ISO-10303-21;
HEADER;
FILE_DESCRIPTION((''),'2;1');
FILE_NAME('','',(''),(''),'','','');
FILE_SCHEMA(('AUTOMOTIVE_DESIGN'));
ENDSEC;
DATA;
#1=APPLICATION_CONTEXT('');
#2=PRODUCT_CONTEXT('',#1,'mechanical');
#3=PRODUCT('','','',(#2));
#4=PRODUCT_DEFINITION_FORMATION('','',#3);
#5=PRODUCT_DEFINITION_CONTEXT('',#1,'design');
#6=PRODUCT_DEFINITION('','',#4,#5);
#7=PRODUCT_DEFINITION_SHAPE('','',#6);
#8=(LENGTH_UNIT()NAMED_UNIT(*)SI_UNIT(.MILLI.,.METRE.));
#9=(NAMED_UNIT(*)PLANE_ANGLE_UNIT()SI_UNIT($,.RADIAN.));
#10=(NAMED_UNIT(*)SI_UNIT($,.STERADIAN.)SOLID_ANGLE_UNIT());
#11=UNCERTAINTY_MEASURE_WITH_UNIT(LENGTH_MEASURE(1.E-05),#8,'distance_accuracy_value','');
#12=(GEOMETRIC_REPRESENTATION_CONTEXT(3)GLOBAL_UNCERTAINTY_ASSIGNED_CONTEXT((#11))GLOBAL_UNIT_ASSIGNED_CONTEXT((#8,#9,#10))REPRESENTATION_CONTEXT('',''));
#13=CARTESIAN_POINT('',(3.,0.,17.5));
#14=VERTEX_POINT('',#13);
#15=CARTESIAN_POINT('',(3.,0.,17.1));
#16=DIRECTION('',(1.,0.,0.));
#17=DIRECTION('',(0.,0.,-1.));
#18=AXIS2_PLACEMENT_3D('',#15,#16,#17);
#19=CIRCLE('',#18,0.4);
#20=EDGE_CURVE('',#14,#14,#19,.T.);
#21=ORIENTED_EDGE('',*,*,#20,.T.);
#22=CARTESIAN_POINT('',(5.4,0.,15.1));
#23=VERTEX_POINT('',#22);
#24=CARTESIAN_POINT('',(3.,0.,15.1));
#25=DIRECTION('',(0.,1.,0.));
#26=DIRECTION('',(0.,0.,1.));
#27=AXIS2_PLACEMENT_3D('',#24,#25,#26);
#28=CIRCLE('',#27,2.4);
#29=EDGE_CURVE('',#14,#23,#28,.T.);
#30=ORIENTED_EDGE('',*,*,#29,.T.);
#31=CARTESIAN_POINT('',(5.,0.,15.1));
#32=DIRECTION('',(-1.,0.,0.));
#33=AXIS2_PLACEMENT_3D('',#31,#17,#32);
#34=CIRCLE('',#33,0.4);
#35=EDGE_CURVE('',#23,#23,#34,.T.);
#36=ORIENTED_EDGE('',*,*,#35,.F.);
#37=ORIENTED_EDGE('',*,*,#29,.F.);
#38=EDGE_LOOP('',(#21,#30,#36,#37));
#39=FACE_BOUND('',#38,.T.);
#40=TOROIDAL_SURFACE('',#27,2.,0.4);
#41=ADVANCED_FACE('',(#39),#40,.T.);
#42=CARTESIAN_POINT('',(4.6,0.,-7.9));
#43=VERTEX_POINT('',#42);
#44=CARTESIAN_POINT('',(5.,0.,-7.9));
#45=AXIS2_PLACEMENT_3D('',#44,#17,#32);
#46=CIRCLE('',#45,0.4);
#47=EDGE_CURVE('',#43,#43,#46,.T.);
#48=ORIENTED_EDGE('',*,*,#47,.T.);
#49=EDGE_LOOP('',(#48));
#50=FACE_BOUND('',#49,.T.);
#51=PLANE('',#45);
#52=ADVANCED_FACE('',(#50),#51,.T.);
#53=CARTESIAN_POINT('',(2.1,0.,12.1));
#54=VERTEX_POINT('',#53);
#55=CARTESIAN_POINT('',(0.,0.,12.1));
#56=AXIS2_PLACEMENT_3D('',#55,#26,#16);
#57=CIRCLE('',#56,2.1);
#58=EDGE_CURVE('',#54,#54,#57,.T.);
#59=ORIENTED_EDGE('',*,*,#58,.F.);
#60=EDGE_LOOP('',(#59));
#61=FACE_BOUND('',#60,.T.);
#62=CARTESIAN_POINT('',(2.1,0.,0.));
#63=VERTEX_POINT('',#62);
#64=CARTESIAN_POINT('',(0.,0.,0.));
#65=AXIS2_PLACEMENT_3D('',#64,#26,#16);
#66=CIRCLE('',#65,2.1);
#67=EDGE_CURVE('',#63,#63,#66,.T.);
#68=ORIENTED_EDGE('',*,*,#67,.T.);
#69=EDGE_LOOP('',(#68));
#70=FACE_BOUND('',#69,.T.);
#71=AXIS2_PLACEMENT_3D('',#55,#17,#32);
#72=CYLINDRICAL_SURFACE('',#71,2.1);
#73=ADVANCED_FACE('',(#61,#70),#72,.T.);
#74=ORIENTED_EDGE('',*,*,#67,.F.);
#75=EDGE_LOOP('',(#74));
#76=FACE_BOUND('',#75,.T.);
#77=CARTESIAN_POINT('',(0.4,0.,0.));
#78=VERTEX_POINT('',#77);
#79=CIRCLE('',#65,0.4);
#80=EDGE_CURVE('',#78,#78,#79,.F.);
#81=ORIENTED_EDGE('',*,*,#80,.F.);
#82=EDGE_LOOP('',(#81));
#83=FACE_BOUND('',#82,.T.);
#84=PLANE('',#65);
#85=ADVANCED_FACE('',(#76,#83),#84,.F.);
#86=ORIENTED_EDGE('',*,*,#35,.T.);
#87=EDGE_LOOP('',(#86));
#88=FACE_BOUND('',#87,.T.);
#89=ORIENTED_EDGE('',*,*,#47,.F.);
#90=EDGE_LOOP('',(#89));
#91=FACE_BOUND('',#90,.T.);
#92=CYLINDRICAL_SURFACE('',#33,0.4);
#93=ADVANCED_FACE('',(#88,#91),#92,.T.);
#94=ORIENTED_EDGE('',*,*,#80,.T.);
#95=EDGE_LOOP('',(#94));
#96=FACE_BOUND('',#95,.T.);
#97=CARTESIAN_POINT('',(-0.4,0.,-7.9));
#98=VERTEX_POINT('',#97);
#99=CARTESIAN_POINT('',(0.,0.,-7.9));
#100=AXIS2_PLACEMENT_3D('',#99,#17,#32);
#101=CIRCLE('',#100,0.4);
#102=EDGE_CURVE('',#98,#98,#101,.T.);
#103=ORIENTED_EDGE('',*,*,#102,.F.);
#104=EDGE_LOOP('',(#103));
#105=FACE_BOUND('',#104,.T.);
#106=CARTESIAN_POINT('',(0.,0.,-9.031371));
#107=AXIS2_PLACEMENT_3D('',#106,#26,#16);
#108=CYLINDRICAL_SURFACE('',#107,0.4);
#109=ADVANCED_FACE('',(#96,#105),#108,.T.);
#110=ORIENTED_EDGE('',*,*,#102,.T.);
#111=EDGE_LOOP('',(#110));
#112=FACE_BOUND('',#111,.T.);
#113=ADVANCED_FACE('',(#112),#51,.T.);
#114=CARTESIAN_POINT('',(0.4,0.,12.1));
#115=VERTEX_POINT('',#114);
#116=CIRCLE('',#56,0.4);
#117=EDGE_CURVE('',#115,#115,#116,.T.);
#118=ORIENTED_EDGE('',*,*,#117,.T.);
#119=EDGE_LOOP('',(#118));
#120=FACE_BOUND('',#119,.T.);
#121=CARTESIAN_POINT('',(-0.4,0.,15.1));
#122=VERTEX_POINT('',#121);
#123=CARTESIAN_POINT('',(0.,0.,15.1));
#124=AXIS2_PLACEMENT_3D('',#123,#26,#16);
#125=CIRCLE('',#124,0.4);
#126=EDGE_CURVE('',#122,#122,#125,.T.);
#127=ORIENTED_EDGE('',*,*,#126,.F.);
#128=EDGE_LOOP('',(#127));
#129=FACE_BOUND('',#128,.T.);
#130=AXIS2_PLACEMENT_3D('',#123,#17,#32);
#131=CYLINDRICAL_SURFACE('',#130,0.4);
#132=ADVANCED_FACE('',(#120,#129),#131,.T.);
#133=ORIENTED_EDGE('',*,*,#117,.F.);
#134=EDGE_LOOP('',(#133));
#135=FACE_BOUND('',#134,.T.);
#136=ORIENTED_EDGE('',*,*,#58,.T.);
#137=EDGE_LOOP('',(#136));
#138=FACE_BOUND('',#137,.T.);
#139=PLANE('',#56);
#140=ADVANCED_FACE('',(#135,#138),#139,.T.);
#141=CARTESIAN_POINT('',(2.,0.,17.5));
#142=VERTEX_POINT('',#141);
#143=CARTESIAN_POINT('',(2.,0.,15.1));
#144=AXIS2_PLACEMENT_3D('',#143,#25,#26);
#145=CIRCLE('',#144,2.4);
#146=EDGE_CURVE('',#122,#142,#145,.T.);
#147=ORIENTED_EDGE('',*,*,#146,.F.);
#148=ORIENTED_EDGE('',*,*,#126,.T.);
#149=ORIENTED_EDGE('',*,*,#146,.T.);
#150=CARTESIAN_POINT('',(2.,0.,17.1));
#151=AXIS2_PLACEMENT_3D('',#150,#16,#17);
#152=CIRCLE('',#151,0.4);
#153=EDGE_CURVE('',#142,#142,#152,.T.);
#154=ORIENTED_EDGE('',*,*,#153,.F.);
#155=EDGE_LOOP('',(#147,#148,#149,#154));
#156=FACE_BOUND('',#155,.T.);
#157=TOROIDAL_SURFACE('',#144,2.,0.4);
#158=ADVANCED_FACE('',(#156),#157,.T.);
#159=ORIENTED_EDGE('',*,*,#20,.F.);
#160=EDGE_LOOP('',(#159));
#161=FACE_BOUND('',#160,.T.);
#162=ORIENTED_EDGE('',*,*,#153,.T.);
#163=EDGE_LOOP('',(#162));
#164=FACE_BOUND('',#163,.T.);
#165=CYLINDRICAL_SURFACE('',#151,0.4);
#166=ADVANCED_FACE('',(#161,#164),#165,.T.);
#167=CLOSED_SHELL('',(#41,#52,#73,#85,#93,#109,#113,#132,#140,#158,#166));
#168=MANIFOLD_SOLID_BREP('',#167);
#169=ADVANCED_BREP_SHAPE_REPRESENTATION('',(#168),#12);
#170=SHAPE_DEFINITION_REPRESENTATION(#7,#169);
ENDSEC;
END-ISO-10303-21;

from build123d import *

# Parameters (mm, degrees)
SKETCH2_R           = 2.1
RESISTOR_BODY_DEPTH = 12.1
LEAD1_PROFILE_R     = 0.4
SKETCH6_R           = 0.4
LEAD2_DEPTH         = 7.9


with BuildPart() as part:
    # Sketch2 → Resistor Body (new body)
    with BuildSketch(Plane.XY):
        Circle(SKETCH2_R)
    extrude(amount=RESISTOR_BODY_DEPTH)

    # Lead1: sweep along a path in Lead1 Path
    with BuildLine(Plane(origin=(0, 0, 0), x_dir=(1, 0, 0), z_dir=(0, 1, 0))) as lead1_path:
        Line((0, -12.1), (0, -15.1))
        ThreePointArc((0, -15.1), (0.585786438, -16.514213562), (2, -17.1))
        Line((2, -17.1), (3, -17.1))
        ThreePointArc((3, -17.1), (4.414213562, -16.514213562), (5, -15.1))
        Line((5, -15.1), (5, 7.9))
    # Lead1 Profile → Lead1 (sweep)
    with BuildSketch(Plane(origin=(0, 0, 12.1), x_dir=(-1, 0, 0), z_dir=(0, 0, 1))):
        Circle(LEAD1_PROFILE_R)
    sweep(path=lead1_path.line)

    # Sketch6 → Lead2 (add)
    with BuildSketch(Plane(origin=(0, 0, 0), x_dir=(1, 0, 0), z_dir=(0, 0, -1))):
        Circle(SKETCH6_R)
    extrude(amount=LEAD2_DEPTH)


solid = part.part
